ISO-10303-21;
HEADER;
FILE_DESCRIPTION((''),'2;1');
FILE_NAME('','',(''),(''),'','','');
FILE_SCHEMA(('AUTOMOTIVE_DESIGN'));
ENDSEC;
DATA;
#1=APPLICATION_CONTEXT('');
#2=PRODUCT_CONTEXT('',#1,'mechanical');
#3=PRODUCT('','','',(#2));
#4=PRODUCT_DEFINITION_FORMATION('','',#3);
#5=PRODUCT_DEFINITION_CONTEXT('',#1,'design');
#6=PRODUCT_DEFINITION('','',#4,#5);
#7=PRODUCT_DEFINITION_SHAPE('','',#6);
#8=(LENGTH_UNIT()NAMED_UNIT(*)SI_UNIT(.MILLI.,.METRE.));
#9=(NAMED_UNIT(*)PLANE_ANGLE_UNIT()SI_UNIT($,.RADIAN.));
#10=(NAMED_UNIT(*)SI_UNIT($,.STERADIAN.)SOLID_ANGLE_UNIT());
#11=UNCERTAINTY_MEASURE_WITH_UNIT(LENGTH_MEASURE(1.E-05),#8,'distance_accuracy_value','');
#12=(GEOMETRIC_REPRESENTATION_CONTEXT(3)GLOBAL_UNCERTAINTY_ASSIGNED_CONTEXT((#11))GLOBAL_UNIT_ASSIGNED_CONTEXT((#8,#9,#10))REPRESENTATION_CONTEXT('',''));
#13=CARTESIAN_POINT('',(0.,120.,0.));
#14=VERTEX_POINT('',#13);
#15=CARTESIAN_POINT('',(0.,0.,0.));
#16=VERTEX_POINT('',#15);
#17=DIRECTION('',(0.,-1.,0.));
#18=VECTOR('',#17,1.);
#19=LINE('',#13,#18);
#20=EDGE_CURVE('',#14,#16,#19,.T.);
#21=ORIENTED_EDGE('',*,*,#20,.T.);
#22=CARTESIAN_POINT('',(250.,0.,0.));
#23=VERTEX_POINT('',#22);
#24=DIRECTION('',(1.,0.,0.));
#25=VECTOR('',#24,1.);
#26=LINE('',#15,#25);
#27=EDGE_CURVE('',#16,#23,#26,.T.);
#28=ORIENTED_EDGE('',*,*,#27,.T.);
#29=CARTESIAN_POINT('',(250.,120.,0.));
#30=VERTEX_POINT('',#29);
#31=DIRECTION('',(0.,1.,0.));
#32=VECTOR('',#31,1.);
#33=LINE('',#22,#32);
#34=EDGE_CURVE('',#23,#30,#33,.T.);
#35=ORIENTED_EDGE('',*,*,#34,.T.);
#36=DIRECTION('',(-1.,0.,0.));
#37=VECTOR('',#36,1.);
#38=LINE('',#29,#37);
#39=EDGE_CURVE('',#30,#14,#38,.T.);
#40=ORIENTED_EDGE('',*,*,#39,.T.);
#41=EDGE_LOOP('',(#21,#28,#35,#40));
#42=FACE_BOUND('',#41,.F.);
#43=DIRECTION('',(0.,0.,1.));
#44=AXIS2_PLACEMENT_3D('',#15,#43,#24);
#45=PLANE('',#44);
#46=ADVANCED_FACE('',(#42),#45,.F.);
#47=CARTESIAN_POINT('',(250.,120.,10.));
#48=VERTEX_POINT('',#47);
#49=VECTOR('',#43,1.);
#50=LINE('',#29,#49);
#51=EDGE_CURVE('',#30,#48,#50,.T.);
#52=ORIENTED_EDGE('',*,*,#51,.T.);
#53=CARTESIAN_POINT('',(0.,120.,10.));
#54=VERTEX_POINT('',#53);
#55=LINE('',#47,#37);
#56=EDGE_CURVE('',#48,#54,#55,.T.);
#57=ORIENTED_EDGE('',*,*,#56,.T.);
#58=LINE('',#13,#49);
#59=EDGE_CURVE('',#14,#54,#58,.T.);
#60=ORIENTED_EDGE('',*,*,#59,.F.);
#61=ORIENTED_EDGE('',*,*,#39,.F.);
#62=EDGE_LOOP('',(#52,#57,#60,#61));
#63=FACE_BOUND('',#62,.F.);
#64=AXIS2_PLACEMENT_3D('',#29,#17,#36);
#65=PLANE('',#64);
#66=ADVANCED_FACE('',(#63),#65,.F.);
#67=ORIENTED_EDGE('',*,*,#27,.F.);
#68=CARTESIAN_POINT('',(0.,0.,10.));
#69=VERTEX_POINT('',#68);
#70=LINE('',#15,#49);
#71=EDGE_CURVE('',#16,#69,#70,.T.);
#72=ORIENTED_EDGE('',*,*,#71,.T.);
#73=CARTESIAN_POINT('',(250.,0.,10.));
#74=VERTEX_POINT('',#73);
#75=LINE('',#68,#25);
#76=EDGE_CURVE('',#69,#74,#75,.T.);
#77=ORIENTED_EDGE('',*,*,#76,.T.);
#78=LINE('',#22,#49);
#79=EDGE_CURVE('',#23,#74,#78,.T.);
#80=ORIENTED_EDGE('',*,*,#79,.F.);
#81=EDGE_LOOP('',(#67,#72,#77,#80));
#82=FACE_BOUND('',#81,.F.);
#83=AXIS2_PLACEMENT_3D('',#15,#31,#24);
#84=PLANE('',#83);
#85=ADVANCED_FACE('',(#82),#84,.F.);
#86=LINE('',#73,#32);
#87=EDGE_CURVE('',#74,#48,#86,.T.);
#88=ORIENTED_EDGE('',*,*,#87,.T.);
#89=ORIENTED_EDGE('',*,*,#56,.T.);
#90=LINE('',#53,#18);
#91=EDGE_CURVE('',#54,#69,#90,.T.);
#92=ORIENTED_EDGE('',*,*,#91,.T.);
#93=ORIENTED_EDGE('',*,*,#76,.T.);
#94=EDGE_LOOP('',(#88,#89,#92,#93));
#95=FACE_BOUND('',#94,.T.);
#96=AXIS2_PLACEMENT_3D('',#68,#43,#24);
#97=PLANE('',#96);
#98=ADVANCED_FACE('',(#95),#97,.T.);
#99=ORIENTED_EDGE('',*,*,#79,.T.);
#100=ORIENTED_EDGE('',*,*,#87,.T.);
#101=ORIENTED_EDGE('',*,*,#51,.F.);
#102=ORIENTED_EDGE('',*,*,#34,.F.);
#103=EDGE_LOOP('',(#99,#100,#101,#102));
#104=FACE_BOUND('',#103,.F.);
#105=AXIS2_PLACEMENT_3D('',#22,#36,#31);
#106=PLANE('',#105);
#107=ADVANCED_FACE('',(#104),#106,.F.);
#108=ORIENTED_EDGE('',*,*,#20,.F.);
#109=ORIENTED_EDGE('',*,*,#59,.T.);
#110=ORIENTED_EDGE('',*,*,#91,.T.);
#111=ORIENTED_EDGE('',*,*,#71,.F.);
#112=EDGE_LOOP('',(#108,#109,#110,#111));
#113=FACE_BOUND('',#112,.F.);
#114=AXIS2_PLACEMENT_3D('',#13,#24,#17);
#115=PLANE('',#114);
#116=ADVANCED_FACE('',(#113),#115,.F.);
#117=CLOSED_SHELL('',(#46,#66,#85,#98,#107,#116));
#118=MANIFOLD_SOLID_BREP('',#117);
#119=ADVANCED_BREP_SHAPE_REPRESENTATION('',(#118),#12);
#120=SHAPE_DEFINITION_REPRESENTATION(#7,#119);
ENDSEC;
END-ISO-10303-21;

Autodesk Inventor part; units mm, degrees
ref_plane "YZ Plane" through (0, 0, 0) normal (1, 0, 0) x (0, 1, 0)
ref_plane "XZ Plane" through (0, 0, 0) normal (0, 1, 0) x (-1, 0, 0)
ref_plane "XY Plane" through (0, 0, 0) normal (0, 0, 1) x (1, 0, 0)
sketch "Sketch1" plane through (0, 0, 0) normal (0, 0, 1) x (1, 0, 0)
  line L0 (0, 0) -> (250, 0)
  line L1 (250, 0) -> (250, 120)
  line L2 (250, 120) -> (0, 120)
  line L3 (0, 120) -> (0, 0)
  dimension "d0" = 250
  dimension "d1" = 120
extrude "Extrusion1" add sketch "Sketch1" along normal blind 10
properties part number "team29_box"
